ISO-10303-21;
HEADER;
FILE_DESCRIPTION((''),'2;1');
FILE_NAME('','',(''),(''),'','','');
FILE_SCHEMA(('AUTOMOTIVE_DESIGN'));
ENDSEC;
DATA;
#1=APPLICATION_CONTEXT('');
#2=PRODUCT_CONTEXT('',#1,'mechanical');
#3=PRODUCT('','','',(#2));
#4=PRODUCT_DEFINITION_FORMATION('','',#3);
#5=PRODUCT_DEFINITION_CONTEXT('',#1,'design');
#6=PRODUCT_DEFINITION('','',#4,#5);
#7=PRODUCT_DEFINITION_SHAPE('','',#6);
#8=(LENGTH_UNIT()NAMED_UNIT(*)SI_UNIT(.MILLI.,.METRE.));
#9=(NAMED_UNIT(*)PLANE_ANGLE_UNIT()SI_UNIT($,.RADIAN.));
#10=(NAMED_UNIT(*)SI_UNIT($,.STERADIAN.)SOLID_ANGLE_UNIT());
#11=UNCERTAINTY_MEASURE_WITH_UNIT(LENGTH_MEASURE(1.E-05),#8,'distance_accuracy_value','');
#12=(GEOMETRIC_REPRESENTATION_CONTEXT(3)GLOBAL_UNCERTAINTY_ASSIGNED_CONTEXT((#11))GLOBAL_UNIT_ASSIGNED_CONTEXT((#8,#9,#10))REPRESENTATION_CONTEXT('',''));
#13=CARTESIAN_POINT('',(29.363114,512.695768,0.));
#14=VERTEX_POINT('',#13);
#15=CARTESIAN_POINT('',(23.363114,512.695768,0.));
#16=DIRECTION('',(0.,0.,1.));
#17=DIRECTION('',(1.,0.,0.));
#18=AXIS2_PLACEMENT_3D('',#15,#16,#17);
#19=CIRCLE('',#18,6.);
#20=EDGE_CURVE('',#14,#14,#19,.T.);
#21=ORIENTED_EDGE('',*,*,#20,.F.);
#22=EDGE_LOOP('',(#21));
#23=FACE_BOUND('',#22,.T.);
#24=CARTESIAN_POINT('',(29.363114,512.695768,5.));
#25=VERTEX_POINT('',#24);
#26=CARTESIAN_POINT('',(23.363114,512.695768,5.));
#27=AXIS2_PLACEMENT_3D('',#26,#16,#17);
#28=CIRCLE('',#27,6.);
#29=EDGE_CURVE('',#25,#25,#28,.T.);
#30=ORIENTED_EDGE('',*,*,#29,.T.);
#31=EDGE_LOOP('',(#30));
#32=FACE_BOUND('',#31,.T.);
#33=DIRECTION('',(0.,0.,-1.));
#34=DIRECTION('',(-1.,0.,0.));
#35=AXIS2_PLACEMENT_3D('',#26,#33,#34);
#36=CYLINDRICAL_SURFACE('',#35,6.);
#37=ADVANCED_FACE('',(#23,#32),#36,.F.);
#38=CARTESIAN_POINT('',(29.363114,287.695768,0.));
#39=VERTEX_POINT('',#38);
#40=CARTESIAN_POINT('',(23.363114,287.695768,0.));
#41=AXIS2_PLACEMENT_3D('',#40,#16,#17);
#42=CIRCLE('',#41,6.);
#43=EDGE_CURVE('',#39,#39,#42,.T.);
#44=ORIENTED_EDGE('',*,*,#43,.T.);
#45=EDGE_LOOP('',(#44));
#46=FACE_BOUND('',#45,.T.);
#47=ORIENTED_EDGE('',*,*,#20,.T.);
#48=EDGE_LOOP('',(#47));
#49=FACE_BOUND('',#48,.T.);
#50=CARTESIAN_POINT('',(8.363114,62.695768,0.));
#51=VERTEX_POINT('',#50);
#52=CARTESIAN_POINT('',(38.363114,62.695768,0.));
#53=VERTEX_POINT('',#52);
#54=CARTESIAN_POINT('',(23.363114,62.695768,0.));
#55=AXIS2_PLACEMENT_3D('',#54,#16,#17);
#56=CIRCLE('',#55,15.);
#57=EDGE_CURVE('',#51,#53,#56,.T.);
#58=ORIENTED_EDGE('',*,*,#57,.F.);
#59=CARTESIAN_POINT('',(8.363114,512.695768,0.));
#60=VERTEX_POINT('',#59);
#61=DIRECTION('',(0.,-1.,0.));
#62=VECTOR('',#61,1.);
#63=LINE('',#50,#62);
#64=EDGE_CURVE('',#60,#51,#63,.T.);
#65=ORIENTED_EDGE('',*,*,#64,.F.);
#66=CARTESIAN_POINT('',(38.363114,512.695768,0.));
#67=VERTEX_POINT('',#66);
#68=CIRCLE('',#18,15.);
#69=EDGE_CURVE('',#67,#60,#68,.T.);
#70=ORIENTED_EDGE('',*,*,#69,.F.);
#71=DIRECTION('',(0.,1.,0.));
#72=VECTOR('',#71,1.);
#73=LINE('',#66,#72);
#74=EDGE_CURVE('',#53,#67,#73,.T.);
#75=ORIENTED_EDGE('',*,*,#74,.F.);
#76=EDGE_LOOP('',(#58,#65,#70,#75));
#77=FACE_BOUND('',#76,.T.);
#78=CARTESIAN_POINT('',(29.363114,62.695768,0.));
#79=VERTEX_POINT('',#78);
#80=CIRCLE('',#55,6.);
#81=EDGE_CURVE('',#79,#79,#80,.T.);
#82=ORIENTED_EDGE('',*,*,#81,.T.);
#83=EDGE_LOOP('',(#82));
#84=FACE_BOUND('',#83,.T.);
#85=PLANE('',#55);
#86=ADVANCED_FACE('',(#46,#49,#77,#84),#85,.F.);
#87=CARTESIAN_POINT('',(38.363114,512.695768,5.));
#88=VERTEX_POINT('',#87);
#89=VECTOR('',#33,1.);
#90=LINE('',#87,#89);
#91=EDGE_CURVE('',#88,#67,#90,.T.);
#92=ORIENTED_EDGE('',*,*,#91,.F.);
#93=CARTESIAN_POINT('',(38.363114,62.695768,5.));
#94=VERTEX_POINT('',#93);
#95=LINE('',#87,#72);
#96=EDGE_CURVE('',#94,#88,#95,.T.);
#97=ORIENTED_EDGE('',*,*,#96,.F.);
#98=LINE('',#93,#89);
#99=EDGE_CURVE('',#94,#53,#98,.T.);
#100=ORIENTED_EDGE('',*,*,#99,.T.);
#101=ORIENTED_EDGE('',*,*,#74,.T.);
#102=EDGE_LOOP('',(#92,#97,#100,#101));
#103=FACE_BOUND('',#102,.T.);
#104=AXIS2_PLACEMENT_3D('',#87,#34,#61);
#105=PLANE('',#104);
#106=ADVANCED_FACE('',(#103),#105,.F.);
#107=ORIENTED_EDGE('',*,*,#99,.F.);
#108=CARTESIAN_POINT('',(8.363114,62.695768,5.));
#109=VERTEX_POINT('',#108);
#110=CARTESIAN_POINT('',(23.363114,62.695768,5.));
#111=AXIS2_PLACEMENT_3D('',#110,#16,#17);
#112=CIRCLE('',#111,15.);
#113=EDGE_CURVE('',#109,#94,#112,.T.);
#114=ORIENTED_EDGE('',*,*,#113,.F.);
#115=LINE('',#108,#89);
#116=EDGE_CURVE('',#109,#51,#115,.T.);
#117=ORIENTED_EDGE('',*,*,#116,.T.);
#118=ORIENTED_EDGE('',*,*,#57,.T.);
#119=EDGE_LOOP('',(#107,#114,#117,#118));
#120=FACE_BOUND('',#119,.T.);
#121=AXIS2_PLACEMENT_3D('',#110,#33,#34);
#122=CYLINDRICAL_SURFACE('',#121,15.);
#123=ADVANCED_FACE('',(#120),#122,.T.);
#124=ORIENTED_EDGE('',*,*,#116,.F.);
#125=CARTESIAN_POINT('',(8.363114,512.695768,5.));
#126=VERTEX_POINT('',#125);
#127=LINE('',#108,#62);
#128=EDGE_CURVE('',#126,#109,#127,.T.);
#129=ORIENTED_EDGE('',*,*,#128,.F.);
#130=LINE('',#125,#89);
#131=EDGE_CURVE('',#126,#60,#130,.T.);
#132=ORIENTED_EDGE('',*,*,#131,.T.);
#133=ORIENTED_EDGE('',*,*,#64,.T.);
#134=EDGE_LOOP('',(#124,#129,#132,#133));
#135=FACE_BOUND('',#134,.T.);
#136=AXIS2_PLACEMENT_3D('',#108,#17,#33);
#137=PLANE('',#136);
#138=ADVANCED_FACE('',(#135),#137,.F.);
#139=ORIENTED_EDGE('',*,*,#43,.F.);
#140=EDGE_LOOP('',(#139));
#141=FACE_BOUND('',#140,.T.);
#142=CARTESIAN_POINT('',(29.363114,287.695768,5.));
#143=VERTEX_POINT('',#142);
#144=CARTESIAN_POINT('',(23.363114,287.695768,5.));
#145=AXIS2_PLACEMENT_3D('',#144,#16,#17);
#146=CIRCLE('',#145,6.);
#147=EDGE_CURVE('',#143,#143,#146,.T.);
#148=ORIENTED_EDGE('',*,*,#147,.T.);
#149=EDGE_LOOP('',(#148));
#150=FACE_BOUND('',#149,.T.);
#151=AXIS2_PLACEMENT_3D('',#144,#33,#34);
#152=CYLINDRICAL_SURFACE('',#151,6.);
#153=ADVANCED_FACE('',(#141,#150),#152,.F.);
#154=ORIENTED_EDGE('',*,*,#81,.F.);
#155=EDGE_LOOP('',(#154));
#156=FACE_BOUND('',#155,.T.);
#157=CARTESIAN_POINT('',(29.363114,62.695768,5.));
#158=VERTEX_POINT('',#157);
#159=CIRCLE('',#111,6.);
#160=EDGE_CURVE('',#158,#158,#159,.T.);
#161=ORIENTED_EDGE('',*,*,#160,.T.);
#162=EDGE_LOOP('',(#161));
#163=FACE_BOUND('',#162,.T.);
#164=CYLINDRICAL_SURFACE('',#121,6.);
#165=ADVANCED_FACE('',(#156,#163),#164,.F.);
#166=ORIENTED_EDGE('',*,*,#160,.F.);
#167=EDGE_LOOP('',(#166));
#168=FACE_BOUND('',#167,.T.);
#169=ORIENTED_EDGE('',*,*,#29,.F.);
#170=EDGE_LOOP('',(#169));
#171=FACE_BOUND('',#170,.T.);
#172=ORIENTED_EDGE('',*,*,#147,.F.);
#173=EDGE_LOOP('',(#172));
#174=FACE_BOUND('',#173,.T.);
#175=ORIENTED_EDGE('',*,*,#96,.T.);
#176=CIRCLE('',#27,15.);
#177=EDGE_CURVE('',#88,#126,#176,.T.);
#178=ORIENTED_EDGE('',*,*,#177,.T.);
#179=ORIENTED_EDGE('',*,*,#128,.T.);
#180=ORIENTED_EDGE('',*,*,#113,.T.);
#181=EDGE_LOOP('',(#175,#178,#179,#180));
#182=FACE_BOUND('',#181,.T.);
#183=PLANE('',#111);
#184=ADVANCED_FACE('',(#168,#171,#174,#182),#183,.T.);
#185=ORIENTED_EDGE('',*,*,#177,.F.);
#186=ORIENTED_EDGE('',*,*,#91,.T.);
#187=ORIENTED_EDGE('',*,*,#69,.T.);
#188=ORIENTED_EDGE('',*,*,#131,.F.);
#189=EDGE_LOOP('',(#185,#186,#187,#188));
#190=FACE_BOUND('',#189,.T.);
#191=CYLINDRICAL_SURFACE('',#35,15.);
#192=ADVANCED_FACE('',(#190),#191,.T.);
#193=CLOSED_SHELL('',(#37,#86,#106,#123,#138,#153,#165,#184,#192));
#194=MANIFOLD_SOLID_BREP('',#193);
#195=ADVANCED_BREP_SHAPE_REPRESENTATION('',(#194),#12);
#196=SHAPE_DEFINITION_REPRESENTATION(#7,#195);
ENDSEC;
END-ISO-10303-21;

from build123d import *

# Parameters (mm, degrees)
SKETCH_1_R      = 6
EXTRUDE_1_DEPTH = 5


with BuildPart() as part:
    # 草图1 → 凸台-拉伸1 (new body)
    with BuildSketch(Plane.XY):
        with BuildLine():
            Line((8.363113875, 62.695768031), (8.363113875, 512.695768031))
            ThreePointArc((8.363113875, 512.695768031), (23.363113875, 527.695768031), (38.363113875, 512.695768031))
            Line((38.363113875, 512.695768031), (38.363113875, 62.695768031))
            ThreePointArc((38.363113875, 62.695768031), (23.363113875, 47.695768031), (8.363113875, 62.695768031))
        make_face()
        with Locations((23.363113875, 512.695768031)):
            Circle(SKETCH_1_R, mode=Mode.SUBTRACT)
        with Locations((23.363113875, 62.695768031)):
            Circle(SKETCH_1_R, mode=Mode.SUBTRACT)
        with Locations((23.363113875, 287.695768031)):
            Circle(SKETCH_1_R, mode=Mode.SUBTRACT)
    extrude(amount=EXTRUDE_1_DEPTH)


solid = part.part
